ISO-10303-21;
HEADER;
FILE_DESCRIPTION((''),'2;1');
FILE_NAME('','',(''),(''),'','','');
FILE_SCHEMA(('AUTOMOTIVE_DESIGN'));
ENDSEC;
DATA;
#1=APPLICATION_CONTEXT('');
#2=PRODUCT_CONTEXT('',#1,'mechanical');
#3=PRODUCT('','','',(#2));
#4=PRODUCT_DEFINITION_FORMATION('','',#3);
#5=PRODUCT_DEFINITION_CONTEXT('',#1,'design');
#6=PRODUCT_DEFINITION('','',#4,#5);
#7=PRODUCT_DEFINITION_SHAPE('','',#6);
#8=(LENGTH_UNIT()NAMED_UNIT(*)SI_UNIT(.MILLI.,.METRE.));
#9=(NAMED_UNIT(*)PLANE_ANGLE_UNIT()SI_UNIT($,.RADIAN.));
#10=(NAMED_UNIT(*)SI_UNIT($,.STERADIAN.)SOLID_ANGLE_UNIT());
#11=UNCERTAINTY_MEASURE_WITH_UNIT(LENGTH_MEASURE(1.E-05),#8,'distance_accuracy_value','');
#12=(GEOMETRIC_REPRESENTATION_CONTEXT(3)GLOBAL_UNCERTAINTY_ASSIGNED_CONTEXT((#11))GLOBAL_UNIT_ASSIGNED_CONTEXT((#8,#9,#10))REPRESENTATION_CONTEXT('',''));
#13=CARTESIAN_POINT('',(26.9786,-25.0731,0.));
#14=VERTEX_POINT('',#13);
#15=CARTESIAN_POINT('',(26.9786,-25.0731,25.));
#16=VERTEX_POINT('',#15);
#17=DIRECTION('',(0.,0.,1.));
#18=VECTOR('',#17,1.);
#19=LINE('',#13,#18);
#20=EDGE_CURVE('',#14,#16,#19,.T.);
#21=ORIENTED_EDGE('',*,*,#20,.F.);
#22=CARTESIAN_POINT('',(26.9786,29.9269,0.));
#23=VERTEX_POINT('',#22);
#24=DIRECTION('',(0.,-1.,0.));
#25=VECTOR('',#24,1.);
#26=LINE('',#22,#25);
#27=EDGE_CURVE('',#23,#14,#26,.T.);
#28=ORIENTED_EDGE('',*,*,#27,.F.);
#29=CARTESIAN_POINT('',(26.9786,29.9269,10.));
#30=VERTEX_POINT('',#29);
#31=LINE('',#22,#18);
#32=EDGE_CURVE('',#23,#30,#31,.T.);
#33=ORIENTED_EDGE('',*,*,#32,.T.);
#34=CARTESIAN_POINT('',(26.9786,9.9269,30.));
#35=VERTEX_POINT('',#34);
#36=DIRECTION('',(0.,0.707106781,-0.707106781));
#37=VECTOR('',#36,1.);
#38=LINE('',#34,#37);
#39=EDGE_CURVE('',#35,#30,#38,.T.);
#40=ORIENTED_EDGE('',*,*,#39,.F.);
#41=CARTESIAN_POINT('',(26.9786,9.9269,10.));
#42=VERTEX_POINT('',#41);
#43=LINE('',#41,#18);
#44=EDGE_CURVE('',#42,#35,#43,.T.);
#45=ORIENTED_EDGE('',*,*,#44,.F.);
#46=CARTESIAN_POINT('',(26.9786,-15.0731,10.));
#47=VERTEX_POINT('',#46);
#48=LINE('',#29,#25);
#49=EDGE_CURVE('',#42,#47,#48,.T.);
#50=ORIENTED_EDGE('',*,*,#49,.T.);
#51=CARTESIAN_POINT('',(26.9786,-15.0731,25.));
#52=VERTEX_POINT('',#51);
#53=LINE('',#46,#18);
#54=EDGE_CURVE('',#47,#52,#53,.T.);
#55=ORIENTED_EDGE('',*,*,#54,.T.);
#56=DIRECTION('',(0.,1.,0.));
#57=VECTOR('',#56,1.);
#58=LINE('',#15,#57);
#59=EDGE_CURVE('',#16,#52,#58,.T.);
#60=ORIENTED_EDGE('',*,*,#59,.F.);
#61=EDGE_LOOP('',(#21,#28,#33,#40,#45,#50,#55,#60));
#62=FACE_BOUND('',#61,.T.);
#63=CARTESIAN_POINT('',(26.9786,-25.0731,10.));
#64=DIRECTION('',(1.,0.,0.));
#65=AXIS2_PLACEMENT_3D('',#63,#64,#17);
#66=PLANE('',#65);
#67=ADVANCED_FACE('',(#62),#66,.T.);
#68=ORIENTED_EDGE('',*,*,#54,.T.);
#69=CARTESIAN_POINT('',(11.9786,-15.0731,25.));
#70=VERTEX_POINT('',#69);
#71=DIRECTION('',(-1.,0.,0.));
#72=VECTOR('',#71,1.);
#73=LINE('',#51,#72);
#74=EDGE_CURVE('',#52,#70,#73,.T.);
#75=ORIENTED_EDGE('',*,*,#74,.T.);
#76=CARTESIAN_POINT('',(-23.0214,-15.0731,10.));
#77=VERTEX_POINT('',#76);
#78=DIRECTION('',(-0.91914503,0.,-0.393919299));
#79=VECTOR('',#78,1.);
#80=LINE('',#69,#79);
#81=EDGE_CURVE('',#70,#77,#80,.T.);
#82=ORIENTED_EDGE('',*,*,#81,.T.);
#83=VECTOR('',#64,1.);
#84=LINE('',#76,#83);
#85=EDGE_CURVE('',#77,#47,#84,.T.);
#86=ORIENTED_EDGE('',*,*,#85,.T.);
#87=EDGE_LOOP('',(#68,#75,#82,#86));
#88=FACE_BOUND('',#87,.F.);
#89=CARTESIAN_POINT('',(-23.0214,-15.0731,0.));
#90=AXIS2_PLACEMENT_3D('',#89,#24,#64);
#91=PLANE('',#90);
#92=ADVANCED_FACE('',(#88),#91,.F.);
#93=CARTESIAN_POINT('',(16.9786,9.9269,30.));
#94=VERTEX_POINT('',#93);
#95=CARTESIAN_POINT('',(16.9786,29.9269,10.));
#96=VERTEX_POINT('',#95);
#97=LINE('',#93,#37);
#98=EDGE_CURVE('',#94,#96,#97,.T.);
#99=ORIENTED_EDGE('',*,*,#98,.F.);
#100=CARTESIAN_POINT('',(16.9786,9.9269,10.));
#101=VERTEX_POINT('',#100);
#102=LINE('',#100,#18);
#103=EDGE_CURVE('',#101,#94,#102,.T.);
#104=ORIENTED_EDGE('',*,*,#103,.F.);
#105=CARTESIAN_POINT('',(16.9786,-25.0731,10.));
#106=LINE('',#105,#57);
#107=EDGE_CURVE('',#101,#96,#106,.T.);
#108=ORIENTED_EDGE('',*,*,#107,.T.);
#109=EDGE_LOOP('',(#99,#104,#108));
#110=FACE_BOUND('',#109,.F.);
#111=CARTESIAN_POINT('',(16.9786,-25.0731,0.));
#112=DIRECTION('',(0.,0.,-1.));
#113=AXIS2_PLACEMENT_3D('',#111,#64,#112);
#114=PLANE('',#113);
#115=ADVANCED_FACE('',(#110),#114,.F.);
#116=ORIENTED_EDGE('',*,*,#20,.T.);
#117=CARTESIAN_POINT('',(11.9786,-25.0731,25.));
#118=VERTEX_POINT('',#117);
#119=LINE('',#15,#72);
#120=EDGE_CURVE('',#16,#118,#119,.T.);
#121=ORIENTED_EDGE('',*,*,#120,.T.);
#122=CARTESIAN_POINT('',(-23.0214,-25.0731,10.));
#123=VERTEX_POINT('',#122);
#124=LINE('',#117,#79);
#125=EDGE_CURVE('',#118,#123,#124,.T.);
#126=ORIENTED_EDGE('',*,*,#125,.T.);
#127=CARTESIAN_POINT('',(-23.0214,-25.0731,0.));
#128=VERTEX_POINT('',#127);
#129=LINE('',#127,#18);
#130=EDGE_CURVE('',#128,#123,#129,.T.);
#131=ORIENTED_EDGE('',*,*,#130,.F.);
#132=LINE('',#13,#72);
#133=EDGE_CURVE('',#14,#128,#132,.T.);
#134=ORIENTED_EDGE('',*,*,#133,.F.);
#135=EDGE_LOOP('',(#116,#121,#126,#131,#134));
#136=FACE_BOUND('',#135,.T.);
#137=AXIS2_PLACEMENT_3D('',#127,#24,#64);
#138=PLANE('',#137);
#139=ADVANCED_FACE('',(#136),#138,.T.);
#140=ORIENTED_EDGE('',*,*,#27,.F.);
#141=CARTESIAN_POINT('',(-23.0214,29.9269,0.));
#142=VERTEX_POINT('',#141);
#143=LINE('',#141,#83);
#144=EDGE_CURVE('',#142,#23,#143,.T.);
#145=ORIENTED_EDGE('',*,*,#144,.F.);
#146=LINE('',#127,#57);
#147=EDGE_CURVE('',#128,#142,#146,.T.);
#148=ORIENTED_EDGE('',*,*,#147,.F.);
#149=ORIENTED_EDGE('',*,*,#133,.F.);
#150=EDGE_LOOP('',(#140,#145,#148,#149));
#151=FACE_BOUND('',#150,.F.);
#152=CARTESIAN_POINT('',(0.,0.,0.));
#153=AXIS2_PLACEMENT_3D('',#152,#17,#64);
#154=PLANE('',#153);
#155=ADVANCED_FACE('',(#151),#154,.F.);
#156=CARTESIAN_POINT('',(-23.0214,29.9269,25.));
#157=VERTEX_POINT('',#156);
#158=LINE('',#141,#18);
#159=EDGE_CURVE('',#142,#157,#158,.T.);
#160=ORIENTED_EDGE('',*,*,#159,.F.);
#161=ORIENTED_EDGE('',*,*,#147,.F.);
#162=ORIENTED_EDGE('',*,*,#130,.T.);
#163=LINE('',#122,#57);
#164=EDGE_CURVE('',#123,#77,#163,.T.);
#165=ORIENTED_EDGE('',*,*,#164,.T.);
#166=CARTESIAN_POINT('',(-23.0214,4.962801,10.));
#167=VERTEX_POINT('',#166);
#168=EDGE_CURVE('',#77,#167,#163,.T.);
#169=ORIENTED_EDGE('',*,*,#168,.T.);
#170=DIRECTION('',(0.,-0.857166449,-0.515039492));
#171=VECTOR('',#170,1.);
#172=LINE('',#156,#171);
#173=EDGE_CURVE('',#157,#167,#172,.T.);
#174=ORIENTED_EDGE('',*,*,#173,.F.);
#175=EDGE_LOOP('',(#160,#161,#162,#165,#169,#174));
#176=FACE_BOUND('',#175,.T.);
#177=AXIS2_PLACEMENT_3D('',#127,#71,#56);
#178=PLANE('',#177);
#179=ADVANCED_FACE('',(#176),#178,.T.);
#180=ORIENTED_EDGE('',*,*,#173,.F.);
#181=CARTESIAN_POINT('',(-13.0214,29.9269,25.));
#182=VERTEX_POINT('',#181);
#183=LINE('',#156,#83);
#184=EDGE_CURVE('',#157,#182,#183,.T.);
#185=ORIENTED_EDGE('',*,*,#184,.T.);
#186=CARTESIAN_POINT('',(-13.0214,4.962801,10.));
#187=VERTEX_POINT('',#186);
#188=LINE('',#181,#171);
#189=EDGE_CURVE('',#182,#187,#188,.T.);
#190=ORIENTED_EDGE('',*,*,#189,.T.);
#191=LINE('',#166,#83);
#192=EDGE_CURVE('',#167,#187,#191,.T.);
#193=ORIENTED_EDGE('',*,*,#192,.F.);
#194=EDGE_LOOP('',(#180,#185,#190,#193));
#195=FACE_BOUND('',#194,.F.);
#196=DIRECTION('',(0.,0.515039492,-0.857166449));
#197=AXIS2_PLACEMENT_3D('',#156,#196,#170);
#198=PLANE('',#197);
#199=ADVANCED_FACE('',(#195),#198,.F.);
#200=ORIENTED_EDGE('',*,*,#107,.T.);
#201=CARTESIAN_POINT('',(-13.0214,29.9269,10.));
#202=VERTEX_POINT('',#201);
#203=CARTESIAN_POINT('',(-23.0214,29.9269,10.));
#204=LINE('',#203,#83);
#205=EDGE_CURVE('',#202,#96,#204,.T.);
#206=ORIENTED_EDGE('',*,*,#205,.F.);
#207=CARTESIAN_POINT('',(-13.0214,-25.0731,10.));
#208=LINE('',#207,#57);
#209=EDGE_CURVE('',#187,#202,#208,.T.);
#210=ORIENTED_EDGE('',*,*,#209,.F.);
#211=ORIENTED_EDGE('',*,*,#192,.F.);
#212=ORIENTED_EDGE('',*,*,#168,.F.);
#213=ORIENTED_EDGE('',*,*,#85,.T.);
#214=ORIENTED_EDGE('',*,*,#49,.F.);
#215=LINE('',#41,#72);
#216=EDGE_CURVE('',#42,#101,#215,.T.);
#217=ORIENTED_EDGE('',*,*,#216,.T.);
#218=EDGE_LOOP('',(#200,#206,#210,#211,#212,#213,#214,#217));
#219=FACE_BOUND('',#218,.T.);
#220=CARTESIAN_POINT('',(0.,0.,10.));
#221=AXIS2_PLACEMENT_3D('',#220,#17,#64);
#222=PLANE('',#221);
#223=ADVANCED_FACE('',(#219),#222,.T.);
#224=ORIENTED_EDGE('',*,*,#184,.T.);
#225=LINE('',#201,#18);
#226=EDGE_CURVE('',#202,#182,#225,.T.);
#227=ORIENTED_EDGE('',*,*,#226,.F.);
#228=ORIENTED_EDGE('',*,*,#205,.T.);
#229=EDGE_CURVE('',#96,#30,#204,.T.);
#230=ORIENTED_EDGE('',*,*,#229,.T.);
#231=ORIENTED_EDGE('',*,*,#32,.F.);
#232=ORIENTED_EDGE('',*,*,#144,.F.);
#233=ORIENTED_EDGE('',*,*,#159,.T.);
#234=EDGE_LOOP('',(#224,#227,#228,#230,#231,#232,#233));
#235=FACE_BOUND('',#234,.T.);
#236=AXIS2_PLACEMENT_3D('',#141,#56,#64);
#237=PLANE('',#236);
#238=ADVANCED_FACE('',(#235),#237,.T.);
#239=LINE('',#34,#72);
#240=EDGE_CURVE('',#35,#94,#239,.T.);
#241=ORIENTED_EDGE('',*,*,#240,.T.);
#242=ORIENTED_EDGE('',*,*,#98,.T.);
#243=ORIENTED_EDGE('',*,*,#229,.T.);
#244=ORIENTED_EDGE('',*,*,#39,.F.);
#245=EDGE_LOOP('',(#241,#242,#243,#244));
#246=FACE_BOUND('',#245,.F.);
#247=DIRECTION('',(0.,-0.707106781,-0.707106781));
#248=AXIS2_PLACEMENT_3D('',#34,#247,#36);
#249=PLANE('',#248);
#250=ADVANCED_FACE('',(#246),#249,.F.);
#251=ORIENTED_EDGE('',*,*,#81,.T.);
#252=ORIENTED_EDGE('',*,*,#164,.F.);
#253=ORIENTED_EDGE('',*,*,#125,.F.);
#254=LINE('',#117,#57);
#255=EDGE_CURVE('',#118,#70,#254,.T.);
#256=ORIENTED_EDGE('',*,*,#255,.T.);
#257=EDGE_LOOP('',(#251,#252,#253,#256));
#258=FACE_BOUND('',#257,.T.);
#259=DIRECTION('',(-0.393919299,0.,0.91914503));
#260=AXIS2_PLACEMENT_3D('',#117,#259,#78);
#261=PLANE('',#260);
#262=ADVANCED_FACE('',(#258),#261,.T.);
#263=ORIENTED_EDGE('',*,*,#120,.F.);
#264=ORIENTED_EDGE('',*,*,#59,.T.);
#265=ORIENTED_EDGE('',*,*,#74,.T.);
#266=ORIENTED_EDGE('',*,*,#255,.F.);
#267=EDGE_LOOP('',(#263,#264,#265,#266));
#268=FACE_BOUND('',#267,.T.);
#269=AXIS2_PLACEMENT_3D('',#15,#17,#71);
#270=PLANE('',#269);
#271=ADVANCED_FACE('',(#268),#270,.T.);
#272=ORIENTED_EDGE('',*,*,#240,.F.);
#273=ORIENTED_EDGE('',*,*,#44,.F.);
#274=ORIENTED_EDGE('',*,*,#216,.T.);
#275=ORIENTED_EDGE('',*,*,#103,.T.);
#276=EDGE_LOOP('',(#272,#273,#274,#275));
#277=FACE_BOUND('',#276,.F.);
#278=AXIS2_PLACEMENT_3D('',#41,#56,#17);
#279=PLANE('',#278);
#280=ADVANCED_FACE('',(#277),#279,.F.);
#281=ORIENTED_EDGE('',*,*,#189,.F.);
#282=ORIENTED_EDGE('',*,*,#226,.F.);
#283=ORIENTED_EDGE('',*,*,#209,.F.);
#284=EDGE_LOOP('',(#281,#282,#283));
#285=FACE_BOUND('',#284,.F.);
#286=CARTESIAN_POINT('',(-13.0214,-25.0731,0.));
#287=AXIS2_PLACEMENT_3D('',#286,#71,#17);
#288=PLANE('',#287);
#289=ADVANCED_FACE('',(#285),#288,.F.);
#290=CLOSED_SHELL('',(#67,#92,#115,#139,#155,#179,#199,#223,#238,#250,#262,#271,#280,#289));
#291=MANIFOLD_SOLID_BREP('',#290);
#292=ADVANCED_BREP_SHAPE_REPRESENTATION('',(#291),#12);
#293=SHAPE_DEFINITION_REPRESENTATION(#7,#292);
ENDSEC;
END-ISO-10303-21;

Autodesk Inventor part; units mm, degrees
ref_plane "YZ Plane" through (0, 0, 0) normal (1, 0, 0) x (0, 1, 0)
ref_plane "XZ Plane" through (0, 0, 0) normal (0, 1, 0) x (-1, 0, 0)
ref_plane "XY Plane" through (0, 0, 0) normal (0, 0, 1) x (1, 0, 0)
sketch "Sketch1" plane through (0, 0, 0) normal (0, 0, 1) x (1, 0, 0)
  line L0 (-23.0214, 29.9269) -> (26.9786, 29.9269)
  line L1 (26.9786, 29.9269) -> (26.9786, -25.0731)
  line L2 (26.9786, -25.0731) -> (-23.0214, -25.0731)
  line L3 (-23.0214, -25.0731) -> (-23.0214, 29.9269)
  point P0 (0, 0)
  dimension "d0" = 55
  dimension "d1" = 50
  dimension "d4" = 55
  dimension "d5" = 50
extrude "Extrusion1" add sketch "Sketch1" along normal blind 10
ref_plane "Work Plane1" through (-23.0214, -25.0731, 0) normal (-1, 0, 0) x (0, 0, 1)
sketch "Sketch3" plane through (-23.0214, -25.0731, 0) normal (-1, 0, 0) x (0, 0, 1)
  line L0 (10, 0) -> (10, 55) projected
  line L1 (10, 55) -> (25, 55)
  line L2 (25, 55) -> (9.9866, 30.0136)
  line L3 (10, 55) -> (9.9866, 30.0136)
  line L4 (10, 55) -> (9.9866, 30.0136)
  point P0 (0, 25.0731)
  point P1 (10, 30.0358)
  dimension "d10" = 15
  dimension "d14" = 29.15
  dimension "d15" = 59
  dimension "d16" = 55
extrude "Extrusion2" add sketch "Sketch3" against normal blind 10 contours L0 L1 L2
ref_plane "Work Plane2" through (26.9786, -25.0731, 0) normal (1, 0, 0) x (0, 0, -1)
sketch "Sketch4" plane through (26.9786, -25.0731, 0) normal (1, 0, 0) x (0, 0, -1)
  line L0 (-10, 0) -> (-10, 55) projected
  line L1 (-10, 35) -> (-30, 35)
  line L2 (-30, 35) -> (-10, 55)
  line L3 (-10, 55) -> (-10, 35)
  point P0 (0, 25.0731)
  dimension "d20" = 20
  dimension "d21" = 20
  dimension "d22" = 28.2843
  dimension "d23" = 45
extrude "Extrusion3" add sketch "Sketch4" against normal blind 10
ref_plane "Work Plane3" through (-23.0214, -25.0731, 0) normal (0, -1, 0) x (1, 0, 0)
sketch "Sketch5" plane through (-23.0214, -25.0731, 0) normal (0, -1, 0) x (1, 0, 0)
  line L0 (50, 0) -> (50, 10) projected
  line L1 (50, 10) -> (50, 25)
  line L2 (50, 25) -> (35, 25)
  line L3 (35, 25) -> (0, 10)
  line L4 (0, 10) -> (50, 10)
  point P0 (23.0214, 0)
  point P1 (0, 25)
  dimension "d27" = 15
  dimension "d28" = 15
  dimension "d29" = 38.0789
  dimension "d30" = 35
extrude "Extrusion4" add sketch "Sketch5" against normal blind 10
